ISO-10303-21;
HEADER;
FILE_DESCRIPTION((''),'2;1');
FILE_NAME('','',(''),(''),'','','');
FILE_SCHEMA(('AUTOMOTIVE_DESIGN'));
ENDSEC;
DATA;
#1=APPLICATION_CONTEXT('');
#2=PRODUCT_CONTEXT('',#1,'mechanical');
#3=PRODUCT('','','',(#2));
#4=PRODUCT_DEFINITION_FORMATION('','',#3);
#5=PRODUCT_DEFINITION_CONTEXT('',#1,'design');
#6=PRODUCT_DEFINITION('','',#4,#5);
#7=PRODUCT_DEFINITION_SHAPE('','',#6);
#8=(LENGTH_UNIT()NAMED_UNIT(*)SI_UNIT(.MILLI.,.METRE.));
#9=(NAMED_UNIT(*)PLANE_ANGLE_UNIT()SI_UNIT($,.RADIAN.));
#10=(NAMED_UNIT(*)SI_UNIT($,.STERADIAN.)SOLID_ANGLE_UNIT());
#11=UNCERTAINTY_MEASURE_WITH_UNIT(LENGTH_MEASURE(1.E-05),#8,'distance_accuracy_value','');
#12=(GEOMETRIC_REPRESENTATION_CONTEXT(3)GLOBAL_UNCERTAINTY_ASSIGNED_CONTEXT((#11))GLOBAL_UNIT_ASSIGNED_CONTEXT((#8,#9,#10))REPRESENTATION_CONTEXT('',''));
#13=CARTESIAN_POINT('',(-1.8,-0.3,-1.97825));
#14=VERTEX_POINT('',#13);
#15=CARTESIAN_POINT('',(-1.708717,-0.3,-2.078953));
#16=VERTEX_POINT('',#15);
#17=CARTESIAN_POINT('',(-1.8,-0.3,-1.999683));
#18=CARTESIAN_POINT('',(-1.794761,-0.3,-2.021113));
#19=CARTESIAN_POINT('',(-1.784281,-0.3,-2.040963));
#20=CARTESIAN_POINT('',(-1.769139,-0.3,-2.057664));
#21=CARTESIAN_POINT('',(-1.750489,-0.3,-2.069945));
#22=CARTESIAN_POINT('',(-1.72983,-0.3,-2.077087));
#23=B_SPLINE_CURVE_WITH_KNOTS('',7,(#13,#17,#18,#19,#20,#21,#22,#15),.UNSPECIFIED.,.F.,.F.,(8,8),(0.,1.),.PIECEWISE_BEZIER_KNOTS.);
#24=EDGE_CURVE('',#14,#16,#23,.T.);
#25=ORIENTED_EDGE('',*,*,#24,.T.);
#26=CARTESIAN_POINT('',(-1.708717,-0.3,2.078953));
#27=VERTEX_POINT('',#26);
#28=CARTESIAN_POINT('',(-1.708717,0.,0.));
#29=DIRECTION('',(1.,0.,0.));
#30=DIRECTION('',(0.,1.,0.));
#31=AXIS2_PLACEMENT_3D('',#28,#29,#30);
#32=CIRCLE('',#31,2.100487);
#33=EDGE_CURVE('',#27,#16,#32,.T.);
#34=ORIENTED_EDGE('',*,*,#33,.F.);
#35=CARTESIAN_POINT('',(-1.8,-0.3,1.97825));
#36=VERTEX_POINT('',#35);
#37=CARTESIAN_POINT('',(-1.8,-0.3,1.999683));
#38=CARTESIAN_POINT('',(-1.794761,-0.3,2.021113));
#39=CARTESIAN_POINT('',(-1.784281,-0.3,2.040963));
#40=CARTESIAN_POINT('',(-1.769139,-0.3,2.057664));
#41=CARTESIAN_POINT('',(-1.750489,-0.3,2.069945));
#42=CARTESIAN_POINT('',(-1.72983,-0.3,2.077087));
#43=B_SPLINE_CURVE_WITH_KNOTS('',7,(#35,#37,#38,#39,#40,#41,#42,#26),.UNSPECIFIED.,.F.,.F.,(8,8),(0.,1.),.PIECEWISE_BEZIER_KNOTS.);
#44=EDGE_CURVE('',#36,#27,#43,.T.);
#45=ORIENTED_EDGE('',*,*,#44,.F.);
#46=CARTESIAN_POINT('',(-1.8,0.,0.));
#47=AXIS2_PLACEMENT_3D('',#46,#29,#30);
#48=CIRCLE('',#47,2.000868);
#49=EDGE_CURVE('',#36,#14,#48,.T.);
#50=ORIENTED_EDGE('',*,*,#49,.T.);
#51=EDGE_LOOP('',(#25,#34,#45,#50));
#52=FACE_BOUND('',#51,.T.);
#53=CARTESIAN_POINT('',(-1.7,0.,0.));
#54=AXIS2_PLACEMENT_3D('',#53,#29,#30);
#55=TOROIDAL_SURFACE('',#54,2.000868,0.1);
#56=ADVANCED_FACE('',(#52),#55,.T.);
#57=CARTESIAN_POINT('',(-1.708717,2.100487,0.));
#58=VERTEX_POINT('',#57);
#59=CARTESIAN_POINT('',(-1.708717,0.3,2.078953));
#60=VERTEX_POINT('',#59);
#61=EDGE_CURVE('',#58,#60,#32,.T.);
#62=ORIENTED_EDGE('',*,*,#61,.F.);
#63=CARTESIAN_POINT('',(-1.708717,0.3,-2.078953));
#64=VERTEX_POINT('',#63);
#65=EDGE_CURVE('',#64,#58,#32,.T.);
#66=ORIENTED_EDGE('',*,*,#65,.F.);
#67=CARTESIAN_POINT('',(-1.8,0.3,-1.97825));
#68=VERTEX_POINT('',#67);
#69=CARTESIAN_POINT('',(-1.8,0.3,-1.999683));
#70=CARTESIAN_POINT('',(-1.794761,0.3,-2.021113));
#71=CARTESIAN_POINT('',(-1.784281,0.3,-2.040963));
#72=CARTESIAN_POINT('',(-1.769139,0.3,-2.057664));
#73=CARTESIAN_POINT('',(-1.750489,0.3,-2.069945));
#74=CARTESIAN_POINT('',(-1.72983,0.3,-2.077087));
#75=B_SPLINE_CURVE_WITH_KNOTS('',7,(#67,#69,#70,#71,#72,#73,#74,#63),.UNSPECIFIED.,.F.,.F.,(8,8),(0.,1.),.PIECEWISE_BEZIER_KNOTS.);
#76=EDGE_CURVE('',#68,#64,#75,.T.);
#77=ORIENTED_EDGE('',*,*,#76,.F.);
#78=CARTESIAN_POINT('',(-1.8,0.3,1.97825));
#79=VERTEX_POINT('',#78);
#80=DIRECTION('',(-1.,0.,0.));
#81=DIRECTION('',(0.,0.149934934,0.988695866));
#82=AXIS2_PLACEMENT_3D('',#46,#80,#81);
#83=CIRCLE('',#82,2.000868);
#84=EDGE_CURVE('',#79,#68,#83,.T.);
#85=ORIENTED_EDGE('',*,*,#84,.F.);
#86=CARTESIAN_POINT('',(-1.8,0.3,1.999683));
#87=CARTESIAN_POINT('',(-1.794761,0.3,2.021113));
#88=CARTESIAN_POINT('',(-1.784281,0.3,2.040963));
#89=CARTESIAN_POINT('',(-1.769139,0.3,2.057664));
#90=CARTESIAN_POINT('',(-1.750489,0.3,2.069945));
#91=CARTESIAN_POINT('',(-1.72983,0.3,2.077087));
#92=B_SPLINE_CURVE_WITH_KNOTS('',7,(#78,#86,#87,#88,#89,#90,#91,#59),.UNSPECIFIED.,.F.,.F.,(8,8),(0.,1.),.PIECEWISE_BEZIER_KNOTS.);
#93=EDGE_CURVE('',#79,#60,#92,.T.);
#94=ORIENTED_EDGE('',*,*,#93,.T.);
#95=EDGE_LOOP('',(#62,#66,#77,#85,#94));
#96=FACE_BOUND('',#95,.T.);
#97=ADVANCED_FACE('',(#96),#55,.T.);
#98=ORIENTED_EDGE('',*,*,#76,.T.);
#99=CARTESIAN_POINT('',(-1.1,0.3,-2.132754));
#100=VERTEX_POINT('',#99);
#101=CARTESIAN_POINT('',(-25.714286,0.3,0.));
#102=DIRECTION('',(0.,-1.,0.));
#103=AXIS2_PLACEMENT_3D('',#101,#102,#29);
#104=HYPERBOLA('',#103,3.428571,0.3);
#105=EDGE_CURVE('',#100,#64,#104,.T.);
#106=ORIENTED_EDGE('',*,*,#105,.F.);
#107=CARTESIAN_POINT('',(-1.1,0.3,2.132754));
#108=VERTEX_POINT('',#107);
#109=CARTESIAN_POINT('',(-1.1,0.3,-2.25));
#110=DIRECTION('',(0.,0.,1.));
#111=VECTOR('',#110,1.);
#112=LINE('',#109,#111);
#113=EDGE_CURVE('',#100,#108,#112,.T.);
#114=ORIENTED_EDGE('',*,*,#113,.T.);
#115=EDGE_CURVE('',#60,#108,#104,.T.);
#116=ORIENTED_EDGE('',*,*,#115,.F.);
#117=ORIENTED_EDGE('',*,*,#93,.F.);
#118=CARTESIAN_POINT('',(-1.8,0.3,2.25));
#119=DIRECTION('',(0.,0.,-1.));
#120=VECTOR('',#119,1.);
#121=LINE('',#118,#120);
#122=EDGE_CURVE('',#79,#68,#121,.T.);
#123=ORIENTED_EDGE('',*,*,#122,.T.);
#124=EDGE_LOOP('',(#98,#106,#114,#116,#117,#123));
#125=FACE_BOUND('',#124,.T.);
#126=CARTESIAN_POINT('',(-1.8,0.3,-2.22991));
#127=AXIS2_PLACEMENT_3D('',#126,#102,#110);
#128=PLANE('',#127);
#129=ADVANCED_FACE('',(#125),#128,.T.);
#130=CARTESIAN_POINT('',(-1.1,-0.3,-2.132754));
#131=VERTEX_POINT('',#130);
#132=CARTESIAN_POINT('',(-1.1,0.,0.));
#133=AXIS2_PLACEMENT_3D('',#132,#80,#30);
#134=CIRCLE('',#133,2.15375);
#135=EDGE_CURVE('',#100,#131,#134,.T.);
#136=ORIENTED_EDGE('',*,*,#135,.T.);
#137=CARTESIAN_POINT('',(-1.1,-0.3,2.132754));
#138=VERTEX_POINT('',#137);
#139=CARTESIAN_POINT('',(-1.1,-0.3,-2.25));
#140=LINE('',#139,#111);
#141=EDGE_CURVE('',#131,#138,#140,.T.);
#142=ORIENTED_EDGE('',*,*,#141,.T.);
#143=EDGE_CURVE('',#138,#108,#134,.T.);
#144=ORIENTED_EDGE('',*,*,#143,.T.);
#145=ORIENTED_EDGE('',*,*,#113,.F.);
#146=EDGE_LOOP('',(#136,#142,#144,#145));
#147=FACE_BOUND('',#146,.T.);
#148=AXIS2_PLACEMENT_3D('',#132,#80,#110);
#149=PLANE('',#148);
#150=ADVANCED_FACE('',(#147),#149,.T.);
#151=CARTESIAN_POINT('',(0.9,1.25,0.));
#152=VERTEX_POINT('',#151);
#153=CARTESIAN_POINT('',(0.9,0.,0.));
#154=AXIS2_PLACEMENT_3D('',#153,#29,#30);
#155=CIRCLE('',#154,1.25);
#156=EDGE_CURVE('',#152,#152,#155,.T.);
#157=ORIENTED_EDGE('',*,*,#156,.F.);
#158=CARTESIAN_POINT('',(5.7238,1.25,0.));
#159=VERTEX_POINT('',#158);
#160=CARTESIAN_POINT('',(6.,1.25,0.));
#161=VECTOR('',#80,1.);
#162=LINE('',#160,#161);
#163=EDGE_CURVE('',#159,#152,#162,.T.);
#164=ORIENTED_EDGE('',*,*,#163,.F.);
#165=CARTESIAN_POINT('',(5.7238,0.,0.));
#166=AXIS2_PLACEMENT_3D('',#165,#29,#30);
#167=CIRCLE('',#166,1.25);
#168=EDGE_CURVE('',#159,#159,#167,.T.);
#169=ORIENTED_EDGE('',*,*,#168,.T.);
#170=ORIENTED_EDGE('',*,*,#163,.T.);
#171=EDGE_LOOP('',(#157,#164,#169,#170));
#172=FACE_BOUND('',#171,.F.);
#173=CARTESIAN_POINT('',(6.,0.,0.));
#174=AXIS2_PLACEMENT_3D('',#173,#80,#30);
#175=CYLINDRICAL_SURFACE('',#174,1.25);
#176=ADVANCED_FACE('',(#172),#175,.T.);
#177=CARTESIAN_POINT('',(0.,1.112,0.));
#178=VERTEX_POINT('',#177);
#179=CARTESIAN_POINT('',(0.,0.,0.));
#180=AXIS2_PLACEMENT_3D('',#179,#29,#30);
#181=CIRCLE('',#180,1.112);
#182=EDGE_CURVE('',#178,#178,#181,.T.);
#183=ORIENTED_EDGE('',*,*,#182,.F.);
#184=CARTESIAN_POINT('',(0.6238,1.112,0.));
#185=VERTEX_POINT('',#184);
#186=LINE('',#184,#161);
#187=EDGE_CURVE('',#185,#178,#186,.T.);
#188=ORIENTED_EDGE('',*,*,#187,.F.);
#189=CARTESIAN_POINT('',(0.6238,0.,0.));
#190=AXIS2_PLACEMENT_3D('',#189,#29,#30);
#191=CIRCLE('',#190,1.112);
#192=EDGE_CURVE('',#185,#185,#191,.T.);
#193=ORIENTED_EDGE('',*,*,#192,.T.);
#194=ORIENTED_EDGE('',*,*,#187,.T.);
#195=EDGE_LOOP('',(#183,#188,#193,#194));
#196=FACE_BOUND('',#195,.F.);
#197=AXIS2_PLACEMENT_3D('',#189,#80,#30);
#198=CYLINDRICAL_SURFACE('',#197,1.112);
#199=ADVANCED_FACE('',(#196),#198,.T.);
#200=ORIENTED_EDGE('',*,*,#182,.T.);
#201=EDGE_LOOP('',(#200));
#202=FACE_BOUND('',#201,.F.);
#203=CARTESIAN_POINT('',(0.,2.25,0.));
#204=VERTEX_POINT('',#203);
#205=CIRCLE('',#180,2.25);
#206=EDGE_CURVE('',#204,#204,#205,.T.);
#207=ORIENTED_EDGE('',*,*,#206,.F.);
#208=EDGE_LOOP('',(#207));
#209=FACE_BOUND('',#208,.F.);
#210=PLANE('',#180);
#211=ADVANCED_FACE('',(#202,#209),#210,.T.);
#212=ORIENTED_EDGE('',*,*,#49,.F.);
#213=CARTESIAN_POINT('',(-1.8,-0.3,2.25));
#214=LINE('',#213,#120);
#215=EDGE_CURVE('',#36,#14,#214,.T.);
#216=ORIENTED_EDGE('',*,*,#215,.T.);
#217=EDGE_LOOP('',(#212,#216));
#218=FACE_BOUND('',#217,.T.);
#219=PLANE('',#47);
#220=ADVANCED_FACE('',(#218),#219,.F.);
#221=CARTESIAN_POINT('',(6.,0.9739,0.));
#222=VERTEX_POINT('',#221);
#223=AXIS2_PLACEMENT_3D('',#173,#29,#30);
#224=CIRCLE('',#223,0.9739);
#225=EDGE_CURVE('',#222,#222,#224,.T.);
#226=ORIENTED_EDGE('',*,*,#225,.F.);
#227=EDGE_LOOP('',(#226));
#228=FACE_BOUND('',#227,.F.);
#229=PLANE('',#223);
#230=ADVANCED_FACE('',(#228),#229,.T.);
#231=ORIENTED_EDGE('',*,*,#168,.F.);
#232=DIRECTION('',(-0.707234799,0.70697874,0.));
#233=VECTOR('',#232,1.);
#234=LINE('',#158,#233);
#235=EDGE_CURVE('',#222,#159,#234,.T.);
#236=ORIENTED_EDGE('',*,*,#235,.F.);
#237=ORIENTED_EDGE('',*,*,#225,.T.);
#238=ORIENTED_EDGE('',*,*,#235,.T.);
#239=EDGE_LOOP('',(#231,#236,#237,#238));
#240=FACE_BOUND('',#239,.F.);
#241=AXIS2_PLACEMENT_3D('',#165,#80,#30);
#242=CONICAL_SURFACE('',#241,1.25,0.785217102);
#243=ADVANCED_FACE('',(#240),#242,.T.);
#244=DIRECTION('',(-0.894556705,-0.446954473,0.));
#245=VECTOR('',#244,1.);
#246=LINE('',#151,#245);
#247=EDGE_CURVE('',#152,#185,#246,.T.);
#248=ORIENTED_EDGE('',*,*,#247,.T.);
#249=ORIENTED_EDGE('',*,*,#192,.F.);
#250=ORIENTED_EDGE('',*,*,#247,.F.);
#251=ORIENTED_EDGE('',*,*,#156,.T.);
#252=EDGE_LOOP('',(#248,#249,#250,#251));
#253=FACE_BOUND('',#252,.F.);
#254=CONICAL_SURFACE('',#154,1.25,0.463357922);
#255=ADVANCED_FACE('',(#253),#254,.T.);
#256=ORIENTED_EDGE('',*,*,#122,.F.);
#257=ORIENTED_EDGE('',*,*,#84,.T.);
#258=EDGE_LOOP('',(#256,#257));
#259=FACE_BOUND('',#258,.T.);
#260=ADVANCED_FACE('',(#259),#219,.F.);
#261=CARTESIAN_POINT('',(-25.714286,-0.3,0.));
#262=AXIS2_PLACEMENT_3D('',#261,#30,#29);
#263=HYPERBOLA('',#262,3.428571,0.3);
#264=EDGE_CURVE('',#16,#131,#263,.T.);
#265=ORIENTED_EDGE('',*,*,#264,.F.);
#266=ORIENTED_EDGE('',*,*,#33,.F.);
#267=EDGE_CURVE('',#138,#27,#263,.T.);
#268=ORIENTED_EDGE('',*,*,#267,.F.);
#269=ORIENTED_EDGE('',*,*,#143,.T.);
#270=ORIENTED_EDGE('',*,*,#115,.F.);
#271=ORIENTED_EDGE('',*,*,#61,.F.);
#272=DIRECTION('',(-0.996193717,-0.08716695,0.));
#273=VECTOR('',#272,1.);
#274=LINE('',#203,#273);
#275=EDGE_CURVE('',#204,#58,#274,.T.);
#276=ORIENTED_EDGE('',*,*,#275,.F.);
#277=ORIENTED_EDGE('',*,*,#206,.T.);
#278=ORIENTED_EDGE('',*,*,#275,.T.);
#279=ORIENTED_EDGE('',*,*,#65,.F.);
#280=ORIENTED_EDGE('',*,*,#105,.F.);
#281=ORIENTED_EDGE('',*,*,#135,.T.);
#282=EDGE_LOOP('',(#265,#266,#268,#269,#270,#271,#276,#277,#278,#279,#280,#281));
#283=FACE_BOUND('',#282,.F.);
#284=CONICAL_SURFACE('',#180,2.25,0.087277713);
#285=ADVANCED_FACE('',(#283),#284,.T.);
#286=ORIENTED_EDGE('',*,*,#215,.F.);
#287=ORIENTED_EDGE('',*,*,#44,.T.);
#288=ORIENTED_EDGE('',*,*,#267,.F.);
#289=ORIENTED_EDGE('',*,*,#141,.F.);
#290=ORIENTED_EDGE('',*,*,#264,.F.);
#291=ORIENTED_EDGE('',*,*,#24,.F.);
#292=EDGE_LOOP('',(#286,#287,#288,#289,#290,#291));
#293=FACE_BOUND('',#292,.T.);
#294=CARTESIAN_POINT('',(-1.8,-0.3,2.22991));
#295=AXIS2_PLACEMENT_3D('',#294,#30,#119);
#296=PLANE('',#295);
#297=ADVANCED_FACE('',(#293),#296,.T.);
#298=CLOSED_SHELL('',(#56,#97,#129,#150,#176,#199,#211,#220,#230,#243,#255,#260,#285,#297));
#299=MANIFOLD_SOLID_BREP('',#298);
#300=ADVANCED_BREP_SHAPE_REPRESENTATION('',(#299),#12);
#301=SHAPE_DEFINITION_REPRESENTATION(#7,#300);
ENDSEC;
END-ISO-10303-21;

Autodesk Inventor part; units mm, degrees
ref_plane "YZ Plane" through (0, 0, 0) normal (1, 0, 0) x (0, 1, 0)
ref_plane "XZ Plane" through (0, 0, 0) normal (0, 1, 0) x (-1, 0, 0)
sketch "Skizze1" plane through (0, 0, 0) normal (0, 0, 1) x (1, 0, 0)
  line L0 (-1.8, 0) -> (6, 0)
  line L1 (6, 0) -> (6, 1.25)
  line L2 (6, 1.25) -> (0.9, 1.25)
  line L3 (0.9, 1.25) -> (0.6238, 1.112)
  line L4 (0.6238, 1.112) -> (0, 1.112)
  line L5 (0, 1.112) -> (0, 2.25)
  line L6 (-3.36, 0) -> (7.56, 0) projected
  line L7 (0, -0.45) -> (0, 2.7) projected
  line L8 (-1.8, 0) -> (-1.8, 2.0925)
  line L9 (0, 2.25) -> (-1.8, 2.0925)
  line L10 (0.9, 1.25) -> (0, 1.25) construction
  dimension "d0" = 6
  dimension "d1" = 5.1
  dimension "d2" = 0.2762
  dimension "d3" = 1.8
  dimension "d4" = 2.5
  dimension "d5" = 2.224
  dimension "d9" = 4.5
  dimension "d10" = 5
revolve "Körper" add sketch "Skizze1" angle 360 about axis through (-1.8, 0, 0) along (1, 0, 0)
sketch "Skizze2" plane through (-1.8, 0, 0) normal (-1, 0, 0) x (0, 0, 1)
  circle A0 centre (0, 0) radius 2.25 projected
  line L0 (0, 0) -> (0, 2.0925) projected
  line L1 (-2.25, 0.3) -> (2.25, 0.3)
  line L2 (2.25, 0.3) -> (2.25, -0.3)
  line L3 (2.25, -0.3) -> (-2.25, -0.3)
  line L4 (-2.25, -0.3) -> (-2.25, 0.3)
  line L5 (-2.25, 0) -> (2.25, 0) construction
  line L6 (0, 0.3) -> (0, -0.3) construction
  dimension "d11" = 0.6
  dimension "d12" = 4.5
fillet "Rundung1" radius 0.1 1 edges at (-1.8, -2.0925, 0)
extrude "Loch" cut sketch "Skizze2" against normal blind 0.7 contours A0 L3 L1 | L2 L3 A0 | A0 L1 L2 | A0 L4 L1 | L3 L4 A0
thread "Gewinde" size "M2.5x0.45" class "6g" standard "ISO Metric profile" length 5.1
chamfer "Fase1" distance 0.2761 distance2 0.2762 1 edges at (6, -1.25, 0) measured on face at (6, 0.3871, -0.3429)
ref_plane "Work Plane1" through (30.1625, 0, 0) normal (0, 0, -1) x (1, 0, 0)
equation "\"d11\" = SBR"
equation "\"d12\" = KOD"
equation "\"d14\" = RR"
equation "\"d19\" = STI"
equation "\"d15\" = GEL"
equation "\"d17\" = -0.5 * SPD + 0.5 * GD"
equation "\"d0\" = NLG"
equation "\"d1\" = GEL"
equation "\"d3\" = KOH"
equation "\"d4\" = GD"
equation "\"d5\" = BDM"
equation "\"d9\" = KOD"
equation "\"d10\" = KEWI"
equation "\"GD\" = NND"
equation "\"NLG\" = 6"
equation "\"GEL\" = 5.1"
equation "\"KOD\" = 4.5"
equation "\"KOH\" = 1.8"
equation "\"GAL\" = 0.61345 * PTC"
equation "\"SPD\" = NND - 1.2269 * PTC"
equation "\"BDM\" = 2.224"
equation "\"GUL\" = 0.61345 * PTC"
equation "\"RR\" = 0.1"
equation "\"SBR\" = 0.6"
equation "\"STI\" = 0.7"
equation "\"KEWI\" = 5deg"
equation "\"PTC\" = 0.45"
equation "\"THREADDIA\" = 2.5"
equation "\"TOA\" = 30deg"
equation "\"NND\" = 2.5"
equation "\"GD1\" = THREADDIA - 1.2269 * PTC"
properties part number "ISO 1207  - M2,5 x 6" material "Edelstahl, 440C"
